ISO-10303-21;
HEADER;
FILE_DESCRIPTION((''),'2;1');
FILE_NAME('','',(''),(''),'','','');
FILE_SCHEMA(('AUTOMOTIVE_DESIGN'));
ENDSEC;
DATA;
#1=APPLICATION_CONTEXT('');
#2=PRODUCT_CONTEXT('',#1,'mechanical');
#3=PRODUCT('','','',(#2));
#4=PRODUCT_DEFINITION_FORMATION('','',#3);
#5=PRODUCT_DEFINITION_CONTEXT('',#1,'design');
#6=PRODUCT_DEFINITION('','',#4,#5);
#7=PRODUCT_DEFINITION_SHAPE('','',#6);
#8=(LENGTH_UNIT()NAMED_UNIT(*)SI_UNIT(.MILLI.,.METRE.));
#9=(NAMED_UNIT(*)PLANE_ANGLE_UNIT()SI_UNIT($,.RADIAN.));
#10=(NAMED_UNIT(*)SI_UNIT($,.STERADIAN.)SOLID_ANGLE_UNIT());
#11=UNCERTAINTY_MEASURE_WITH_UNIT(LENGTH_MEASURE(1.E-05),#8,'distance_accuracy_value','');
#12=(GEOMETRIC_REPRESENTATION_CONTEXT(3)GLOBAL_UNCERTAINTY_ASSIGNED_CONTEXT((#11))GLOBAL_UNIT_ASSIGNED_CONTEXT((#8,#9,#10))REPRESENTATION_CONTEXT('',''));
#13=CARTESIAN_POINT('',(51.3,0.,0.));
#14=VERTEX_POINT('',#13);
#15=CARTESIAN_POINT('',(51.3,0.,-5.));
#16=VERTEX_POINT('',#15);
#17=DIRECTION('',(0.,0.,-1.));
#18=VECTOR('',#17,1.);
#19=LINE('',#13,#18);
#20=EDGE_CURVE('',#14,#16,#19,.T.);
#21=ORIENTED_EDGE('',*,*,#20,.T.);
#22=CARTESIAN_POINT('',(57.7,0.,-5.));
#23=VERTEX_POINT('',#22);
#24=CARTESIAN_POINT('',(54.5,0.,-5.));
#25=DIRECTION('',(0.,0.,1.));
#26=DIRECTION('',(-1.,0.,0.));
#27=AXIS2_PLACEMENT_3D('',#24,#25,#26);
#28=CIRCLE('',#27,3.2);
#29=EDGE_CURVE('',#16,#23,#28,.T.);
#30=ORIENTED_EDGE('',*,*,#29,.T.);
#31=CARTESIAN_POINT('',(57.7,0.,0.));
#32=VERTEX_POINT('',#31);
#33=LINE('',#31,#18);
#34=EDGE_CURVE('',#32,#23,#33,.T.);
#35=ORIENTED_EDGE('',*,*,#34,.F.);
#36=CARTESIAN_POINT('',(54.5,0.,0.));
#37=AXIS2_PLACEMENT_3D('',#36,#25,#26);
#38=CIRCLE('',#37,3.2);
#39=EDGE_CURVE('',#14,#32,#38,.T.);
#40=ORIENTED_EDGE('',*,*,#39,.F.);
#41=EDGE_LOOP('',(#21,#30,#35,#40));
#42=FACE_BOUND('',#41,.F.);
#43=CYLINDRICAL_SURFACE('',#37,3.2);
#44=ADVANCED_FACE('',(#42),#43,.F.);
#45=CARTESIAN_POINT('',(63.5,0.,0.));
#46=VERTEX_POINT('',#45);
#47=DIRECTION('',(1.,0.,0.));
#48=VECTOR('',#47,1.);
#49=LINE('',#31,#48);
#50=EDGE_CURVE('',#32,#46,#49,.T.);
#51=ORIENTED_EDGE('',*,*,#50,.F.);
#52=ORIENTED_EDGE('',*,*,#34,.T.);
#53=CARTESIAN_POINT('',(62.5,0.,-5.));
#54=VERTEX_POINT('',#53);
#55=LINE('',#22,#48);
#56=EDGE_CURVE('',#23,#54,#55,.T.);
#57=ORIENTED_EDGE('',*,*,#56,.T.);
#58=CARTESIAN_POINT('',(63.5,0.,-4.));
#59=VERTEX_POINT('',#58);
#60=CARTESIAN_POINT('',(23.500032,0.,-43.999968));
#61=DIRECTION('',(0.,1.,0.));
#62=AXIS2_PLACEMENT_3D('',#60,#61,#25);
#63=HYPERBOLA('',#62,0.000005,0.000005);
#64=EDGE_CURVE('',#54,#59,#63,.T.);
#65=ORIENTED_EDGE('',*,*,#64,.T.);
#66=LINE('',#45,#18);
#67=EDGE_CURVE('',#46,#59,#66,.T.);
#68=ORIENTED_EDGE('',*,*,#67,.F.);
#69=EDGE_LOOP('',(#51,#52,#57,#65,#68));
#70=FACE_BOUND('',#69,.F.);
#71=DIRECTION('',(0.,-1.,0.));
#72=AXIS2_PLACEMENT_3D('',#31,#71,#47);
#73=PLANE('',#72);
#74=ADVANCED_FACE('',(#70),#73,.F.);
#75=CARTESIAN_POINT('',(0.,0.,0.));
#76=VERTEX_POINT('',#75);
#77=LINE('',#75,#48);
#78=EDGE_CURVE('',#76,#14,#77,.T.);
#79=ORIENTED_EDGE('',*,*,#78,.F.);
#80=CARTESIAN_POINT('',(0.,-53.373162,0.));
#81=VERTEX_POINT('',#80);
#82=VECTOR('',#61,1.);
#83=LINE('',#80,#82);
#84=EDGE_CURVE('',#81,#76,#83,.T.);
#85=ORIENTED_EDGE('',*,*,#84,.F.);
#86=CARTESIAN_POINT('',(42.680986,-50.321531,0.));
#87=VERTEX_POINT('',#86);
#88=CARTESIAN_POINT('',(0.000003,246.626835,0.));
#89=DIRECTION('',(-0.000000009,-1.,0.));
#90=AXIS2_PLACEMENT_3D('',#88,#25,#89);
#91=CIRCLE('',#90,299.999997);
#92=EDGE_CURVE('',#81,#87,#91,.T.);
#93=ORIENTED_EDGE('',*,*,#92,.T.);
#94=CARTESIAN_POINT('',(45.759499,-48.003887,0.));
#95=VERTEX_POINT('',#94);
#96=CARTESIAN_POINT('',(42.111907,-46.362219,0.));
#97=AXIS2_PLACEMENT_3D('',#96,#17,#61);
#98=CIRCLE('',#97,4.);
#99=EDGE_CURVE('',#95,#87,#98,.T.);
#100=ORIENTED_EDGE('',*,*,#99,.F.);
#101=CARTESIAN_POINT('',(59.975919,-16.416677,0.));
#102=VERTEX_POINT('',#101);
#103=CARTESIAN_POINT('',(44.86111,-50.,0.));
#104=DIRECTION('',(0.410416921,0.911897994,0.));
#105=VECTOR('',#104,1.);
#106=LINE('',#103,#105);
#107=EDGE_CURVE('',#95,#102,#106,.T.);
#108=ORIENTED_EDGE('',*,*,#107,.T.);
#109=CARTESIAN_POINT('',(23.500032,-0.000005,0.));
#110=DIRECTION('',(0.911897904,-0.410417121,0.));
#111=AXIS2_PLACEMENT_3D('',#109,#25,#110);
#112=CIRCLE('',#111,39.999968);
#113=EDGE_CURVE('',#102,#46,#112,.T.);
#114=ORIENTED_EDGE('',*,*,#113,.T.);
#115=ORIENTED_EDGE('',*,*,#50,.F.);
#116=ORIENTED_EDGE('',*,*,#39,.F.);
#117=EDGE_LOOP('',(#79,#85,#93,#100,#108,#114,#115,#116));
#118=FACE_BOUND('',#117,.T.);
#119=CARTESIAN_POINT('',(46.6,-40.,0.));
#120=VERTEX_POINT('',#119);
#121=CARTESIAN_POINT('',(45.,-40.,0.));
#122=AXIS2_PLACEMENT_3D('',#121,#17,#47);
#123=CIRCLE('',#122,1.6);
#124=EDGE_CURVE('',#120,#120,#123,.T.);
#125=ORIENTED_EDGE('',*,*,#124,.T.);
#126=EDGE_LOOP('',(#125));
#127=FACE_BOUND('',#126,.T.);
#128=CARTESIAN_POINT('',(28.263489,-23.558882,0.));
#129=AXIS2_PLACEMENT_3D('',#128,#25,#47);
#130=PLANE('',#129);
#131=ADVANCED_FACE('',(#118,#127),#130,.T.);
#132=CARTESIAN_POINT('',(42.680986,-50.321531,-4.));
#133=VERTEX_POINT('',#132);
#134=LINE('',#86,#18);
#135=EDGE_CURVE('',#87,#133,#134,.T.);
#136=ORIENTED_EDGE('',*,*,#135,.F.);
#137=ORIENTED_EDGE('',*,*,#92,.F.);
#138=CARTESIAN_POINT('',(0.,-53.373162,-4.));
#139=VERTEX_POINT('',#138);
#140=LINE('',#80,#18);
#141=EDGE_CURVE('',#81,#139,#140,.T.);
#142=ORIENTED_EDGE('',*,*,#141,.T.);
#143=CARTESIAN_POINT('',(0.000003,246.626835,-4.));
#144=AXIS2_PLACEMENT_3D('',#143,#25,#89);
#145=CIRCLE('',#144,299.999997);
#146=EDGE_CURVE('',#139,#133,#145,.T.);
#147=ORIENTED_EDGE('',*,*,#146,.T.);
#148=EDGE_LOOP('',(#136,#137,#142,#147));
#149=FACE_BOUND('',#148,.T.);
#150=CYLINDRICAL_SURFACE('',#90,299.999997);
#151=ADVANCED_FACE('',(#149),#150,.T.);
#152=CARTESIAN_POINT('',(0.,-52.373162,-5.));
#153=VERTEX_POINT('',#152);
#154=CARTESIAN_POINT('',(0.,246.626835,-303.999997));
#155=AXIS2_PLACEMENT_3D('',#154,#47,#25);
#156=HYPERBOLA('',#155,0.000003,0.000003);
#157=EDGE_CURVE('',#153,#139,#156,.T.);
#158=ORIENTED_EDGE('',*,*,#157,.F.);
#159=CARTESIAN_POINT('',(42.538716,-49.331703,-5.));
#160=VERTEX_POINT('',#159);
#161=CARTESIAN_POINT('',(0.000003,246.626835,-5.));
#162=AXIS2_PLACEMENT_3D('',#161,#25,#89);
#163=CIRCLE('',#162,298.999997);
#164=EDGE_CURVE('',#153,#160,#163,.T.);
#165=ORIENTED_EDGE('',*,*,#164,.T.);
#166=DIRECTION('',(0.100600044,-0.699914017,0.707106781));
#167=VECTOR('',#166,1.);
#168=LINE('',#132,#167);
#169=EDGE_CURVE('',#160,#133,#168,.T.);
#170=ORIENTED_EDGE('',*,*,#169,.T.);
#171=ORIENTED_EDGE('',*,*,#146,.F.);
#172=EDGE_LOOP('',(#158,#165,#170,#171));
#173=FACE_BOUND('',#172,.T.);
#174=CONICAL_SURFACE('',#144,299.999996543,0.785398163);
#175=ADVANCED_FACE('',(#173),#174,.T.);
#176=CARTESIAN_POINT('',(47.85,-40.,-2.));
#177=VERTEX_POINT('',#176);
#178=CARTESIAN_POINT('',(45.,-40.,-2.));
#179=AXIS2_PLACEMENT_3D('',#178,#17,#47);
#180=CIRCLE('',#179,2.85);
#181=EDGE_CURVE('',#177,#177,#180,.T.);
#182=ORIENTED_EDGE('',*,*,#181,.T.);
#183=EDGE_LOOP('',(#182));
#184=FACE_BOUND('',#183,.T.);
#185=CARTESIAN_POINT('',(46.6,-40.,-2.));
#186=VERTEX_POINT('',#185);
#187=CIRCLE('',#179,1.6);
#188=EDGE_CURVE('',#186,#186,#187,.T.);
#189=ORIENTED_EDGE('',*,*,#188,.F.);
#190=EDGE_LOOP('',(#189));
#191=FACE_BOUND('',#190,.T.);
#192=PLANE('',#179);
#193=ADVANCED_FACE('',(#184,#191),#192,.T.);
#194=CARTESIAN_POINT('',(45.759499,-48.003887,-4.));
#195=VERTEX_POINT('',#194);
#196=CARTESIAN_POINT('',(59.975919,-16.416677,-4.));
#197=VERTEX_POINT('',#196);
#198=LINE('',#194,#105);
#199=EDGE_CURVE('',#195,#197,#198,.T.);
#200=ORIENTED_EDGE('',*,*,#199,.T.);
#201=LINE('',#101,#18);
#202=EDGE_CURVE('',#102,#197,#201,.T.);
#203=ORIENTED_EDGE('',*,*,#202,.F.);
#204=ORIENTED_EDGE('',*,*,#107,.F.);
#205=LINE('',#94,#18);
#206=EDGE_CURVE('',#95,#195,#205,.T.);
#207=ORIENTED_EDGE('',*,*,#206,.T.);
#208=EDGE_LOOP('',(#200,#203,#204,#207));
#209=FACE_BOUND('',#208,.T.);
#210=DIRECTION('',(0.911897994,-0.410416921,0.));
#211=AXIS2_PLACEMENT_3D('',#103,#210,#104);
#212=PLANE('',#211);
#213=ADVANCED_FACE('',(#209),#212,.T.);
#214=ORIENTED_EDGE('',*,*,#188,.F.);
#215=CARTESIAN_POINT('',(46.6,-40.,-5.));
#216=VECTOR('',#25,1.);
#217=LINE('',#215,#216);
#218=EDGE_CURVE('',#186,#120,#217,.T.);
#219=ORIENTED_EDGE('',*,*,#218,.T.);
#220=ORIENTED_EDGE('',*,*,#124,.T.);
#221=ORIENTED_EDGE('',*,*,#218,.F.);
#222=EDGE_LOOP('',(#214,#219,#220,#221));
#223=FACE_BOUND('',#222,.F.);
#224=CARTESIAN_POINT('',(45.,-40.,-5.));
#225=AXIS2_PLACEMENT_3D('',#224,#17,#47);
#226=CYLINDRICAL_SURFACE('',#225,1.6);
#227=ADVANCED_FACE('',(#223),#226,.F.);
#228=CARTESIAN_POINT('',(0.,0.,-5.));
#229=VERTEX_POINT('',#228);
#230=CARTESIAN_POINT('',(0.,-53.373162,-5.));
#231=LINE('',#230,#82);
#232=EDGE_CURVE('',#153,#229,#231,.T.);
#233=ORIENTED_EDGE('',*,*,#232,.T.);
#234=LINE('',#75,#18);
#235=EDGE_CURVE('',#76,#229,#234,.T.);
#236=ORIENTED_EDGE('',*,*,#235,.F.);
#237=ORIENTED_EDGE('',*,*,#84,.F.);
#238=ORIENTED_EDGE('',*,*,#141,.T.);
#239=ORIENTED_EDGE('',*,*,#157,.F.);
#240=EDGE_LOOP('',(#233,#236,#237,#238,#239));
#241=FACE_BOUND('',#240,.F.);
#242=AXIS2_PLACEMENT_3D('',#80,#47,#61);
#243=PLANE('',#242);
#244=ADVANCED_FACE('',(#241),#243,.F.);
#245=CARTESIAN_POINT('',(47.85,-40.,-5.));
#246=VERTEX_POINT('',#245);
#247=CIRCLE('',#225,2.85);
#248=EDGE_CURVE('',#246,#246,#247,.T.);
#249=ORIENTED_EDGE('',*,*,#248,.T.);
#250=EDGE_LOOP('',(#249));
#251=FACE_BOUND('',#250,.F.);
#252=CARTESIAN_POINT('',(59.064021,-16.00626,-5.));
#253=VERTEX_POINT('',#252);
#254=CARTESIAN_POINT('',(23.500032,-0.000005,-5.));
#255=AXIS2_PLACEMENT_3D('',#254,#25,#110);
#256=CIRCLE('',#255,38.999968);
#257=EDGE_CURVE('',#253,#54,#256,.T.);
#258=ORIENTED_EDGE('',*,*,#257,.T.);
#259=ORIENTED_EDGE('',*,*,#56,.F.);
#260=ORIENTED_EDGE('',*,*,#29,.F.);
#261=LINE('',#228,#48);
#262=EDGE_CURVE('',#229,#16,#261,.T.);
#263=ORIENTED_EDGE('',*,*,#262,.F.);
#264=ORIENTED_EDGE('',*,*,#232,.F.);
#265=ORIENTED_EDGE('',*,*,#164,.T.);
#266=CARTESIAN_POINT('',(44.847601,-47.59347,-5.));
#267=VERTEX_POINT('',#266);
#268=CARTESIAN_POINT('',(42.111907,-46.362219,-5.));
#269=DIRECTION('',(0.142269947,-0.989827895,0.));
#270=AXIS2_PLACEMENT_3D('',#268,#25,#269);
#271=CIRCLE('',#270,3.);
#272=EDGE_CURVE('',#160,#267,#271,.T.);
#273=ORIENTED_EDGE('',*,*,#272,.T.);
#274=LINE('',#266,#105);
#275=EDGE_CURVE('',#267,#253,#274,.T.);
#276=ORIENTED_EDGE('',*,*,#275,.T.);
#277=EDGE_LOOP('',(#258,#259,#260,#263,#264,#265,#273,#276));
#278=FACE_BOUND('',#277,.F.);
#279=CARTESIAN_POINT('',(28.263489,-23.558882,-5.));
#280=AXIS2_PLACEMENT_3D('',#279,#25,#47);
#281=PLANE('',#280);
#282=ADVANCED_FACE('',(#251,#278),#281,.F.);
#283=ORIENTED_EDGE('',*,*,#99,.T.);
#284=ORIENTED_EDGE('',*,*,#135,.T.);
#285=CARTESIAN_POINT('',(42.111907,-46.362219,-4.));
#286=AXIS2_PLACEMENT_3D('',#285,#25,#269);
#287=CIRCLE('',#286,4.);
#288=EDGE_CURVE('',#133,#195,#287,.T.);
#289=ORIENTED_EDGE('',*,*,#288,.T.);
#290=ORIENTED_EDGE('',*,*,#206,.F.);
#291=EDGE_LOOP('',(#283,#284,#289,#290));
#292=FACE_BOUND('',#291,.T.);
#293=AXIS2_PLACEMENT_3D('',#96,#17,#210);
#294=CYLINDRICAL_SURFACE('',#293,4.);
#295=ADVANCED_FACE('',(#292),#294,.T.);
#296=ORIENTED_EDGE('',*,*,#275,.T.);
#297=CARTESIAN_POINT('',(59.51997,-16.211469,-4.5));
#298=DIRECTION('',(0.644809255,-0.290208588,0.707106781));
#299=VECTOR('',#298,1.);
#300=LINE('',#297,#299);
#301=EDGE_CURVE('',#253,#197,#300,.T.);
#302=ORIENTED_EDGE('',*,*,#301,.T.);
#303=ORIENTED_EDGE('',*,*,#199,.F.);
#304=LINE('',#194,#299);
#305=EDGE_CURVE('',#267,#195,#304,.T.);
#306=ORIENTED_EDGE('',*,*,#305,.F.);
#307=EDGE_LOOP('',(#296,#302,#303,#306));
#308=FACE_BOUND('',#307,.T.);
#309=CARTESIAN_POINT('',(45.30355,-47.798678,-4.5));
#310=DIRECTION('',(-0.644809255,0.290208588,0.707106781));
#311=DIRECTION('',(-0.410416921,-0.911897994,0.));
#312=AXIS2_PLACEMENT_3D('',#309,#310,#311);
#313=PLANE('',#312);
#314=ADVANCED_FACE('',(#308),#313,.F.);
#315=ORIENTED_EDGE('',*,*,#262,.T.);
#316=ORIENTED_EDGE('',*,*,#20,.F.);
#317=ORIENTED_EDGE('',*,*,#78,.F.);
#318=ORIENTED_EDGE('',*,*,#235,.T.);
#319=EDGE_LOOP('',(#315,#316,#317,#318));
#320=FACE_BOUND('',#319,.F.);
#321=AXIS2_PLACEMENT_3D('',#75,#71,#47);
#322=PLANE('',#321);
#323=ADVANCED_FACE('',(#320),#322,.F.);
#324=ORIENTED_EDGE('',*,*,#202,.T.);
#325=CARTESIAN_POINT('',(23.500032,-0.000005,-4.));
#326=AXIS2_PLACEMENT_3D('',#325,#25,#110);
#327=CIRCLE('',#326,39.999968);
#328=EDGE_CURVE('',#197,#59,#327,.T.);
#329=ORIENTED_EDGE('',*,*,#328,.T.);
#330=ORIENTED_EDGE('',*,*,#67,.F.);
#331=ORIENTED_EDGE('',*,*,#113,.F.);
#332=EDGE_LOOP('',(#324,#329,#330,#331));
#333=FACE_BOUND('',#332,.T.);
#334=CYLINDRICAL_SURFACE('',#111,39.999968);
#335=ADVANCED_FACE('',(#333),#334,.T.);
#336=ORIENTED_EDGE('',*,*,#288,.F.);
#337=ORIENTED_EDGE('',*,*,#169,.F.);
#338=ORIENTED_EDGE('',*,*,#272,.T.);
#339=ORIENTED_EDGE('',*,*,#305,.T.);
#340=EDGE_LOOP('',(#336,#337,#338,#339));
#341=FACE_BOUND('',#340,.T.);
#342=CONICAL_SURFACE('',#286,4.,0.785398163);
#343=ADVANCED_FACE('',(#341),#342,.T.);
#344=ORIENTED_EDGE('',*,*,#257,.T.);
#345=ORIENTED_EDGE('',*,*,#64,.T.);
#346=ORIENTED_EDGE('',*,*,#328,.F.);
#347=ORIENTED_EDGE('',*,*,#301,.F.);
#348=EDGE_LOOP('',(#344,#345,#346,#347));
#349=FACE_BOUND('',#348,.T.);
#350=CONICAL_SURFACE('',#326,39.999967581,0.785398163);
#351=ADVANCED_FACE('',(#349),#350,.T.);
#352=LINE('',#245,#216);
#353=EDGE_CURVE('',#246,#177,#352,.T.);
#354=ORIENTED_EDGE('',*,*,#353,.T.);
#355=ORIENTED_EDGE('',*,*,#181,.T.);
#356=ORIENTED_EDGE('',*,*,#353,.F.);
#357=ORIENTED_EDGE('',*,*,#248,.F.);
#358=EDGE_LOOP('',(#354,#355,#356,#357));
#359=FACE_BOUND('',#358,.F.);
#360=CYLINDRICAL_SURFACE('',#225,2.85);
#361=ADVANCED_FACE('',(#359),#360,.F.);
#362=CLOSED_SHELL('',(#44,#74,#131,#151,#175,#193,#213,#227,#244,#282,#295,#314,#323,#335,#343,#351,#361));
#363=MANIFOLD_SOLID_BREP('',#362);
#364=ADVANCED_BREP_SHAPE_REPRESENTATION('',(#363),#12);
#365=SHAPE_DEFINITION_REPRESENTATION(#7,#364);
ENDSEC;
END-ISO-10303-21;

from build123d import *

# Parameters (mm, degrees)
PAD001_DEPTH    = 5
SKETCH014_R     = 1.6
SKETCH014_R_2   = 3.2
POCKET003_DEPTH = 5.001
SKETCH015_R     = 2.85
POCKET004_DEPTH = 3
FILLET001_R     = 4
CHAMFER_SIZE    = 1


with BuildPart() as part:
    # Sketch010 → Pad001 (new body)
    with BuildSketch(Plane.XY):
        with BuildLine():
            Line((44.86111, -50), (59.975919, -16.416677))
            ThreePointArc((59.975919, -16.416677), (62.609058, -8.395333), (63.5, 0))
            Line((57.7, 0), (63.5, 0))
            ThreePointArc((51.3, 0), (54.5, -3.2), (57.7, 0))
            Line((0, 0), (51.3, 0))
            Line((0, -53.373162), (0, 0))
            ThreePointArc((0, -53.373162), (22.493874, -52.528683), (44.86111, -50))
        make_face()
    extrude(amount=-PAD001_DEPTH)

    # Sketch014 (on Face9 of Pad001) → Pocket003 (cut, through all)
    with BuildSketch(Plane(origin=(0, 0, -5), x_dir=(1, 0, 0), z_dir=(0, 0, -1))):
        with Locations((45, 40)):
            Circle(SKETCH014_R)
        with Locations((54.5, 0)):
            Circle(SKETCH014_R_2)
    extrude(amount=-POCKET003_DEPTH, mode=Mode.SUBTRACT)

    # Sketch015 (on Face5 of Pocket003) → Pocket004 (cut)
    with BuildSketch(Plane(origin=(0, 0, -5), x_dir=(1, 0, 0), z_dir=(0, 0, -1))):
        with Locations((45, 40)):
            Circle(SKETCH015_R)
    extrude(amount=-POCKET004_DEPTH, mode=Mode.SUBTRACT)

    # Fillet001
    fillet001_edges = [part.edges().sort_by_distance(p)[0] for p in [
        (44.86111, -50, -2.5),
    ]]
    fillet(fillet001_edges, radius=FILLET001_R)

    # Chamfer
    chamfer_edges = [part.edges().sort_by_distance(p)[0] for p in [
        (21.394971, -52.609282, -5),
    ]]
    chamfer(chamfer_edges, length=CHAMFER_SIZE)


solid = part.part
